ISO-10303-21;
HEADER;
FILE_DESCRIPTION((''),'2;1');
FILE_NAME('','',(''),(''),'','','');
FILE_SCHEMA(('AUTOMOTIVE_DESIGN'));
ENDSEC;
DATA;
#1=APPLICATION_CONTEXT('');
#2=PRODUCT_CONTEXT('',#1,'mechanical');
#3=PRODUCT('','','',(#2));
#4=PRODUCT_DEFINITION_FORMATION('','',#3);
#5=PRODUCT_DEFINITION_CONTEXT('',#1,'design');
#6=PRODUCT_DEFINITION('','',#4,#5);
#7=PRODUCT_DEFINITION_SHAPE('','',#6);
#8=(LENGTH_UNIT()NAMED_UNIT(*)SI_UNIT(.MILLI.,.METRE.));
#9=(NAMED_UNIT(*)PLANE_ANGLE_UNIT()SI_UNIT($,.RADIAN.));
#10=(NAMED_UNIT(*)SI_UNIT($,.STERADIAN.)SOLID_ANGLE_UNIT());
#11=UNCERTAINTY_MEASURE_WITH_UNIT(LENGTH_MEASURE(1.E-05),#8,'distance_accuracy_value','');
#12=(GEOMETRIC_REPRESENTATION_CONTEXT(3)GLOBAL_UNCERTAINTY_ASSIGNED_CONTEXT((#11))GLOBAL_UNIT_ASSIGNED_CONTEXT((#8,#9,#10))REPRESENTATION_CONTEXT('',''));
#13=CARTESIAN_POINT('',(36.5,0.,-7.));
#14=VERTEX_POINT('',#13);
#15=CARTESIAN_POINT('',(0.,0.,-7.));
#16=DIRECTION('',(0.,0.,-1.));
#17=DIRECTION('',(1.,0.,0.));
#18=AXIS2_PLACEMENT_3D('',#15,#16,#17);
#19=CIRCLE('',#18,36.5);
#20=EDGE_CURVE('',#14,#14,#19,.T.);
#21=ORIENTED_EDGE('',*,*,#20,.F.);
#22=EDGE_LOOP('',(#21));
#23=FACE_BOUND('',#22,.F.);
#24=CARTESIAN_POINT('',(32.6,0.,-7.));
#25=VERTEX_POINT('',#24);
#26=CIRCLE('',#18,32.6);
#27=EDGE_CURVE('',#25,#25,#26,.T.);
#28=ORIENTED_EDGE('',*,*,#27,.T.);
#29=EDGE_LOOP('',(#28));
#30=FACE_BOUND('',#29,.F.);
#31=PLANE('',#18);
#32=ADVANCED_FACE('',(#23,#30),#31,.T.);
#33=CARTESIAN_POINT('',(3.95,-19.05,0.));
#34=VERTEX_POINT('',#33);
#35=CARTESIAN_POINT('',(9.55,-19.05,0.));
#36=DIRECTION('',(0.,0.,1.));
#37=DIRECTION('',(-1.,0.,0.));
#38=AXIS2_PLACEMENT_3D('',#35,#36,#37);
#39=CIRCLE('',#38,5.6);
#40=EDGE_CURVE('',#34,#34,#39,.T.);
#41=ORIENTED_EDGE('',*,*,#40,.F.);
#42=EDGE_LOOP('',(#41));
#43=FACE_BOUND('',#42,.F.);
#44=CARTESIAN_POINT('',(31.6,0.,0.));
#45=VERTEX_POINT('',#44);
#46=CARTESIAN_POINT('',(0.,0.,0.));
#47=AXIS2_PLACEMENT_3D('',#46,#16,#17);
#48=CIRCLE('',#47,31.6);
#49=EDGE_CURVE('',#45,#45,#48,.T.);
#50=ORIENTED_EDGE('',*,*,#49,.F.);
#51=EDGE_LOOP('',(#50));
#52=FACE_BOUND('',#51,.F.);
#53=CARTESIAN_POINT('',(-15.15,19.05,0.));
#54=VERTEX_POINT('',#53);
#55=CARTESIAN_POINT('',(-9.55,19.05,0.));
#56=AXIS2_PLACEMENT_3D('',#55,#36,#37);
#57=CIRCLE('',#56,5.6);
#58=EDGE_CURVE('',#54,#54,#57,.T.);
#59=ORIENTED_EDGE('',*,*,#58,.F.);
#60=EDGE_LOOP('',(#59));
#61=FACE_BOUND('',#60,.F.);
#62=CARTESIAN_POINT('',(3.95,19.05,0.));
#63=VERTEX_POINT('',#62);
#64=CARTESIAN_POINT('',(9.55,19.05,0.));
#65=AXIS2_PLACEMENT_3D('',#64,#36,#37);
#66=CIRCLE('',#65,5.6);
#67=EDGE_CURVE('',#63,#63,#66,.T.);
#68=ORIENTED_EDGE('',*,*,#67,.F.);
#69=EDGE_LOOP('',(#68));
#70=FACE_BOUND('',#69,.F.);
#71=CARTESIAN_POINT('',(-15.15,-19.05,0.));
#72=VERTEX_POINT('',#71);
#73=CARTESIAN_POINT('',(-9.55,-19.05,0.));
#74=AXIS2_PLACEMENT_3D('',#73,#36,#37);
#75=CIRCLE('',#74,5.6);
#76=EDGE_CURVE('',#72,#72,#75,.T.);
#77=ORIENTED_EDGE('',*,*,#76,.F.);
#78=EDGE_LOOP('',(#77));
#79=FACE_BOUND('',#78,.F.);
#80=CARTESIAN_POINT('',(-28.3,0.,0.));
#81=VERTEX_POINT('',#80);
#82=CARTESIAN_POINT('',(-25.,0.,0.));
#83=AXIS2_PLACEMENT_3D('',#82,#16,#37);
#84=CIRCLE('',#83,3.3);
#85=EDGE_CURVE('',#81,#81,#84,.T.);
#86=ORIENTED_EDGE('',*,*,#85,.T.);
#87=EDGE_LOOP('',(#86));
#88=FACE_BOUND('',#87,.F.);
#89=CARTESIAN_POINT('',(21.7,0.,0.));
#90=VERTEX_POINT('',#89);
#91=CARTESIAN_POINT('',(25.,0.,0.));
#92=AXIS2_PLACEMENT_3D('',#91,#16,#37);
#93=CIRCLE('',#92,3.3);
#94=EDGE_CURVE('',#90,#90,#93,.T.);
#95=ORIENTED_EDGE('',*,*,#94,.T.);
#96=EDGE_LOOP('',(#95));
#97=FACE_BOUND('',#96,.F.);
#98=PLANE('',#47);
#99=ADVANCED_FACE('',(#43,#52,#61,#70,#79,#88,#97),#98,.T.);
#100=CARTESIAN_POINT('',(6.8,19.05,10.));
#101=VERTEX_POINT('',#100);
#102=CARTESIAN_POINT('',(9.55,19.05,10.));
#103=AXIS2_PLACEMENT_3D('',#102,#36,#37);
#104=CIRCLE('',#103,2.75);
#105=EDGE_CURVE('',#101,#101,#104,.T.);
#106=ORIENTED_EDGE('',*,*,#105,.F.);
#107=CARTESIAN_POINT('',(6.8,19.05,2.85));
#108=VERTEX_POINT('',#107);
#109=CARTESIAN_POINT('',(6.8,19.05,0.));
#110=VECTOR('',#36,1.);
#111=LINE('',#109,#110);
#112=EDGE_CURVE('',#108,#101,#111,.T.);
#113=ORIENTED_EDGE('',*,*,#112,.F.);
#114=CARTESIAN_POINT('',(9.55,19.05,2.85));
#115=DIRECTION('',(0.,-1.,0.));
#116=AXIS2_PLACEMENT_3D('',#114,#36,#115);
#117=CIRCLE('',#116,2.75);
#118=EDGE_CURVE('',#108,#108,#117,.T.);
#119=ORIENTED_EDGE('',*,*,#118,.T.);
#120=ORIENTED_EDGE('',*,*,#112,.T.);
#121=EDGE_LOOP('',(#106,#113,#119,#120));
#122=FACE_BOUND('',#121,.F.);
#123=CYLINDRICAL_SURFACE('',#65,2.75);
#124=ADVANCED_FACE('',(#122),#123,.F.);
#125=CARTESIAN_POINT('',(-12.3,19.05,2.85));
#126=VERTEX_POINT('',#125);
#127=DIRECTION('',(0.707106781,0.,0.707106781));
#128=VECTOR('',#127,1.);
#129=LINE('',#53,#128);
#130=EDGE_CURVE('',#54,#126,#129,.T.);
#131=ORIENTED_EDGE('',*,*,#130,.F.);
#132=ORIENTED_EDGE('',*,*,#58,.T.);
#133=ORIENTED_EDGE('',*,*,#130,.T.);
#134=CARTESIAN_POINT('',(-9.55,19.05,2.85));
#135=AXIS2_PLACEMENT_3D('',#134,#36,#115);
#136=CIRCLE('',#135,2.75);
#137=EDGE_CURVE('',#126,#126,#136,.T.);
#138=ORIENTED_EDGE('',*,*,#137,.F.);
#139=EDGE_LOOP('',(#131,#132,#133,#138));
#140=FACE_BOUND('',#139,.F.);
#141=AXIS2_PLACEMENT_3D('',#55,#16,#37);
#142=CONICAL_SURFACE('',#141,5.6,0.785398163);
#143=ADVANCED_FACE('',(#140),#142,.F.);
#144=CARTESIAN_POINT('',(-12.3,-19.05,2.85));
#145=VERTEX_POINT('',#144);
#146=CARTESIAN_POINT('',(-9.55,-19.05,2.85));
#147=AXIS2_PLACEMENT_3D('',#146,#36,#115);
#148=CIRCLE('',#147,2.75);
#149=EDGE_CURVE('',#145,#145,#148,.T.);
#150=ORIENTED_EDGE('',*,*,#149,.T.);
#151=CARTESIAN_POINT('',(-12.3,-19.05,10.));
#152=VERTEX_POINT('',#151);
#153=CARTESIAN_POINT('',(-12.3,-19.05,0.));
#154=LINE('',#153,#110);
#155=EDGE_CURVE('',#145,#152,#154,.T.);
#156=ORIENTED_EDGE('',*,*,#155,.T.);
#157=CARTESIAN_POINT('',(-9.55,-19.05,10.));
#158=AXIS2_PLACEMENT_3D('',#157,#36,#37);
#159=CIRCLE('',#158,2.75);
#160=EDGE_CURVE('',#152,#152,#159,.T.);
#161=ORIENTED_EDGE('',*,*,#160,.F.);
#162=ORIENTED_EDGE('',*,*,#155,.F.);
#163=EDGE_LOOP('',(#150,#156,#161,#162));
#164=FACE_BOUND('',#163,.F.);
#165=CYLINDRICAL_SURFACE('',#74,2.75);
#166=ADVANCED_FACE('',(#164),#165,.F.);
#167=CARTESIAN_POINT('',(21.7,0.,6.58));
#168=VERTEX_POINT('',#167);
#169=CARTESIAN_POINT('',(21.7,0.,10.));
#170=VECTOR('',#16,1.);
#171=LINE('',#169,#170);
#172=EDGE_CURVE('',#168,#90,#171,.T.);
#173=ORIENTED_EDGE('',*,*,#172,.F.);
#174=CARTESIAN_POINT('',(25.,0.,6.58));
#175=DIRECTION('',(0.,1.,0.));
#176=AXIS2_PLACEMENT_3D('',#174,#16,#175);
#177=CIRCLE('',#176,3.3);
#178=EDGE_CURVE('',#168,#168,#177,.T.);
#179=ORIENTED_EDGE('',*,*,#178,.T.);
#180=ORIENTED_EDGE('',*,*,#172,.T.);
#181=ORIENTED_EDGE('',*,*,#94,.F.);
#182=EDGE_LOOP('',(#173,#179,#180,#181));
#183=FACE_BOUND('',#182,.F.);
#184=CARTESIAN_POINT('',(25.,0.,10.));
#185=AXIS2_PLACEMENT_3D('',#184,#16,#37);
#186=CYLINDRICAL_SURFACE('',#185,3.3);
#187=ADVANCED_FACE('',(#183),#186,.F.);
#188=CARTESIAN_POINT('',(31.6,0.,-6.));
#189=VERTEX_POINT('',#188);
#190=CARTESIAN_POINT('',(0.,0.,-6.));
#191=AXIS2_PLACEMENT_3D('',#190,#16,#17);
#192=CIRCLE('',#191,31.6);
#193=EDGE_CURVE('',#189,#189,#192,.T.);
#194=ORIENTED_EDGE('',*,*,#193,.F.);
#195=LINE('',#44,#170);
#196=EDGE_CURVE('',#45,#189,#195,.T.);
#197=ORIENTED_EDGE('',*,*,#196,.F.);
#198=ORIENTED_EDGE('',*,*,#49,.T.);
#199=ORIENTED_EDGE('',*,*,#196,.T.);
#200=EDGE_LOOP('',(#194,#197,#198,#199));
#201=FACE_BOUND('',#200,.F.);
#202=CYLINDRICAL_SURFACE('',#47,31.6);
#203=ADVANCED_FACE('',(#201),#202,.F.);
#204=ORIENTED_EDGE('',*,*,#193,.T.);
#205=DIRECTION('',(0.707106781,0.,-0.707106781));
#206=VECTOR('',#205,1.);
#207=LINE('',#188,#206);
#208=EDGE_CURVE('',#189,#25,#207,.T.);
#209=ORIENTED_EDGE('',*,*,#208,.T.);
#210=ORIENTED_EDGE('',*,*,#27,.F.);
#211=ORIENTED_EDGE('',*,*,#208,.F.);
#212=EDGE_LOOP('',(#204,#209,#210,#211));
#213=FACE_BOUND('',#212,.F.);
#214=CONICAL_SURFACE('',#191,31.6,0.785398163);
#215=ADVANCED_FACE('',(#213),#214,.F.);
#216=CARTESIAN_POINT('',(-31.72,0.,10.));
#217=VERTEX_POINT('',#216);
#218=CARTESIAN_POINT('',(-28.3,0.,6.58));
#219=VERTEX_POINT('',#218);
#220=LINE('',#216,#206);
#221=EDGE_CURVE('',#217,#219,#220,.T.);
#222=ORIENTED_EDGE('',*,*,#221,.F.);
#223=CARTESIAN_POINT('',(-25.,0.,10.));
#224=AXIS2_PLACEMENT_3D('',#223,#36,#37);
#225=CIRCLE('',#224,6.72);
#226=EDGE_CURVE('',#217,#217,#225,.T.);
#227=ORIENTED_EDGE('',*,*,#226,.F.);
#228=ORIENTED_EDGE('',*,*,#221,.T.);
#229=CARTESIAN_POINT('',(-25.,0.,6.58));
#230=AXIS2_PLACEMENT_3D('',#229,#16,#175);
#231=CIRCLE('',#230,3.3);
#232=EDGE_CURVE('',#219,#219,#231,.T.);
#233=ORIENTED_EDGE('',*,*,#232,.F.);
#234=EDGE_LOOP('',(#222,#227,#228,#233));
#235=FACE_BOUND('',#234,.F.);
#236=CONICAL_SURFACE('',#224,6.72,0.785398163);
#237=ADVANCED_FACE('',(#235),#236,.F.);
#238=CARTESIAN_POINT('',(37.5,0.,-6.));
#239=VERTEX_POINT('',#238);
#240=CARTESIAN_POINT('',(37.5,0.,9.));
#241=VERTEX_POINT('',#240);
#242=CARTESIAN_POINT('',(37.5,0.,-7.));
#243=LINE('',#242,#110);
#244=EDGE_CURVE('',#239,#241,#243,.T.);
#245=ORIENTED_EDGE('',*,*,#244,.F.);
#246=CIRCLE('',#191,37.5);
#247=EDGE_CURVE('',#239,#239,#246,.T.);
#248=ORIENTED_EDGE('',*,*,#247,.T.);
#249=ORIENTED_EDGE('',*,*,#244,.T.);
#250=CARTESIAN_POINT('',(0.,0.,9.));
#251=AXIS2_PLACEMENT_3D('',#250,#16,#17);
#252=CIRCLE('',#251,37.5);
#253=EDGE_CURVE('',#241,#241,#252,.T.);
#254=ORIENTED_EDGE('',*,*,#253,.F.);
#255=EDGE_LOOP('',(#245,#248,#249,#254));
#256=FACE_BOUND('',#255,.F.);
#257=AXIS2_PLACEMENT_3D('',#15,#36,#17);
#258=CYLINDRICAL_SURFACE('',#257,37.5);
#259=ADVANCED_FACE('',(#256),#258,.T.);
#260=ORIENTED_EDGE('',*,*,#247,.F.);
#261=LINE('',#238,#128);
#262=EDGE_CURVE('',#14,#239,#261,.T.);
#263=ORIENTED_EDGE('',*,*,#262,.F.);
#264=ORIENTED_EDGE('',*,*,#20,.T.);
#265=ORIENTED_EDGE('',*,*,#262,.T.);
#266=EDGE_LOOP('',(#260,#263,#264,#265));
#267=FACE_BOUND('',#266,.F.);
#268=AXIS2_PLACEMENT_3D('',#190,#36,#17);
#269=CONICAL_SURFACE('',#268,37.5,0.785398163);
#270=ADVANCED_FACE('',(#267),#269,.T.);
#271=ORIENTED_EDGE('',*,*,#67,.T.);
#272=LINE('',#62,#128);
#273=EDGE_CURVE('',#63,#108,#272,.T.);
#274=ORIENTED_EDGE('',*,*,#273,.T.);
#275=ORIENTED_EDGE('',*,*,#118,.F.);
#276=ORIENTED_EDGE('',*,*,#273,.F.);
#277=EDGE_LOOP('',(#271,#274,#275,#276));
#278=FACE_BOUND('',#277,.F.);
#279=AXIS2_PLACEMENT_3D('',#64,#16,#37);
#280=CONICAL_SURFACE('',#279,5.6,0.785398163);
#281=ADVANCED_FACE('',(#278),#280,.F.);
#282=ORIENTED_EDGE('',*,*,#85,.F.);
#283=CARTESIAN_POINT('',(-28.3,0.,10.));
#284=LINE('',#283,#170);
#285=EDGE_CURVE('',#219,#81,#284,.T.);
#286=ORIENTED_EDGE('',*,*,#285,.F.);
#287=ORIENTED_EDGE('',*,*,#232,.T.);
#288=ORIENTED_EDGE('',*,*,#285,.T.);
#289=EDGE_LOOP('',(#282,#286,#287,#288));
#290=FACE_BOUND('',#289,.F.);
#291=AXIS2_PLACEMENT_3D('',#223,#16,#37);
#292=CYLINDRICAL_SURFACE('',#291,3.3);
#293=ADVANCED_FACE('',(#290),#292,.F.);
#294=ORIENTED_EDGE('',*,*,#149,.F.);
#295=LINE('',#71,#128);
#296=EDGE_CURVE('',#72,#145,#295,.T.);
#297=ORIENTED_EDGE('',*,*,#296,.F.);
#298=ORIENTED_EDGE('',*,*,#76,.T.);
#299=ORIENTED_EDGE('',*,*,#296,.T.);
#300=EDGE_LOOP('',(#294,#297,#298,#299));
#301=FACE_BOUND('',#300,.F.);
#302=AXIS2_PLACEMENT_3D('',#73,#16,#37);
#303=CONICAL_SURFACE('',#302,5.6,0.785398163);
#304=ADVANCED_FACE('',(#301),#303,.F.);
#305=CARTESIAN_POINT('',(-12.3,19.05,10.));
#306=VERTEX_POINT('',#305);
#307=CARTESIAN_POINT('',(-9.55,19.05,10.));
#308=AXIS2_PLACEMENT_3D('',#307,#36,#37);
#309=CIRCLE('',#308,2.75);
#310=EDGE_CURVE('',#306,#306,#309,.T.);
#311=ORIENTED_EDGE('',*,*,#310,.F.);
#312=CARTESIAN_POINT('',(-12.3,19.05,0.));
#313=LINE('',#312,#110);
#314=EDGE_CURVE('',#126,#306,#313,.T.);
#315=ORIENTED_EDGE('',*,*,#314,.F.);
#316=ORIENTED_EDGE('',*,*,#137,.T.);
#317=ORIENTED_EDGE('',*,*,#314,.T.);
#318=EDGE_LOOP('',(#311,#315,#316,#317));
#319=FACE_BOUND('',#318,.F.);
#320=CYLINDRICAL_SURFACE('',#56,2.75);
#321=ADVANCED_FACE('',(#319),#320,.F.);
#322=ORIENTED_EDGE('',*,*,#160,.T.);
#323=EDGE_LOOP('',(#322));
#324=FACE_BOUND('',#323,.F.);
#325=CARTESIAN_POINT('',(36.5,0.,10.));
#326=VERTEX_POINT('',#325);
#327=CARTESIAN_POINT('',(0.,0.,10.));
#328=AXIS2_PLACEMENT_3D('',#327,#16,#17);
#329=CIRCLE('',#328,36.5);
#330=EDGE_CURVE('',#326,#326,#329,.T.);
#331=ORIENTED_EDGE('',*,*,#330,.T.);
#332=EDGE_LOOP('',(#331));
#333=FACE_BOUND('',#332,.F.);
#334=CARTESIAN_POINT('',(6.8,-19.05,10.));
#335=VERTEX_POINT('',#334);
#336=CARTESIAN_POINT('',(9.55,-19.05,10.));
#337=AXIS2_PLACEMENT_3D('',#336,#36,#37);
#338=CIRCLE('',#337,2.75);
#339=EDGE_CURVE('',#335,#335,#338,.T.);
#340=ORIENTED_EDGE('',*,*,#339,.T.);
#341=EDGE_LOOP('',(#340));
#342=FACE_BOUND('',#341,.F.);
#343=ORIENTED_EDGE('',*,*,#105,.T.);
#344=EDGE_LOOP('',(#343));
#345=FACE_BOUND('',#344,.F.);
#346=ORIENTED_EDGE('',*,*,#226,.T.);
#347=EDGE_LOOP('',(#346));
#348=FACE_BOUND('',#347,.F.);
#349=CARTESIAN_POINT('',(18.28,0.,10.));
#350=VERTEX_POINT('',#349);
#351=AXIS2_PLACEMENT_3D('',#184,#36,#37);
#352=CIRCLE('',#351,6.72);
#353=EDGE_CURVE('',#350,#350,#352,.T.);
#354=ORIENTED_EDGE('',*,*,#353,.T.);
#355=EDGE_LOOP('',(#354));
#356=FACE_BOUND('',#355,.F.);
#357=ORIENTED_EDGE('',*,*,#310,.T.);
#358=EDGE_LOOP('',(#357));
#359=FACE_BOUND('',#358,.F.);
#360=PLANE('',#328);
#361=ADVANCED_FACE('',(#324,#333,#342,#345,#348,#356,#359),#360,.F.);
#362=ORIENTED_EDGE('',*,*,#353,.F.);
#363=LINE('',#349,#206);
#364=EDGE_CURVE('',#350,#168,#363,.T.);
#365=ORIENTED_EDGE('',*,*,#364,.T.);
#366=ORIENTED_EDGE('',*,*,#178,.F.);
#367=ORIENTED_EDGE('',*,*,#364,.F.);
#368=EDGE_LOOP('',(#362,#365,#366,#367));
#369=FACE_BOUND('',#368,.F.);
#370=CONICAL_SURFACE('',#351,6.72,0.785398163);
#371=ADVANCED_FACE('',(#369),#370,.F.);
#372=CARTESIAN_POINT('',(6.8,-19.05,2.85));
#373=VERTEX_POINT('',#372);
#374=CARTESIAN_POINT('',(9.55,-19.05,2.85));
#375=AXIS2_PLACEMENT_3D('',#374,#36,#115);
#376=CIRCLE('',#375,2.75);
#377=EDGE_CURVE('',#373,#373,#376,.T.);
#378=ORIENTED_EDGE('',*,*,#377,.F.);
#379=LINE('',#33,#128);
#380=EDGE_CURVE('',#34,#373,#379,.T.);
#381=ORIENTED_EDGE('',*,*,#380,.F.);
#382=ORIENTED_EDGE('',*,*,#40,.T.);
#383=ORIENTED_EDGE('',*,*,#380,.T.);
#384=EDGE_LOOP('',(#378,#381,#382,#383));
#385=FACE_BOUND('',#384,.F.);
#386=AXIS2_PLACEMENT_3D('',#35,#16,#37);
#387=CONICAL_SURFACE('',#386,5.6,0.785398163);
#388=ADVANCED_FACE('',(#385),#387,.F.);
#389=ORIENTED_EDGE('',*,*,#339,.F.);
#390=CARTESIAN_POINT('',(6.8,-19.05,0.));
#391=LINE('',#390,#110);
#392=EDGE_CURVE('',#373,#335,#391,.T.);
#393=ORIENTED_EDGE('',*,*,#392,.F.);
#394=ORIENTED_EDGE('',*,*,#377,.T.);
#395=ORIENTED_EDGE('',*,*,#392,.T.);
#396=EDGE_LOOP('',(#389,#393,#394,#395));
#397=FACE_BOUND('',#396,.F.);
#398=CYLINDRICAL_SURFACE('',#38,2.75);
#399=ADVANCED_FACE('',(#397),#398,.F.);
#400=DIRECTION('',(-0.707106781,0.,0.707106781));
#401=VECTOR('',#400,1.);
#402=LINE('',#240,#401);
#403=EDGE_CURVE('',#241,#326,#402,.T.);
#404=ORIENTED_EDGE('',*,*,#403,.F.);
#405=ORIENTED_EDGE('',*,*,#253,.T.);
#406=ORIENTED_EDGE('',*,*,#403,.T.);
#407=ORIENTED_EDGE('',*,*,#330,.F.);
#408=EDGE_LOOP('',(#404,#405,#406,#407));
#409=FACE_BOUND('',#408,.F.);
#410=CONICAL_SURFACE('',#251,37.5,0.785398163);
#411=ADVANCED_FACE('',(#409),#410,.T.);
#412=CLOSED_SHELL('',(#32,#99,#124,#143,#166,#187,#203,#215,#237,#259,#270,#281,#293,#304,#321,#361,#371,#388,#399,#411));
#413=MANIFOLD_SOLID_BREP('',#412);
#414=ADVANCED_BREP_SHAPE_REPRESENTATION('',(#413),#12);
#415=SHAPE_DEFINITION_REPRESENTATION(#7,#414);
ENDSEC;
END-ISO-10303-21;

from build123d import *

# Parameters (mm, degrees)
F2_SIZE        = 1
F4_D           = 6.6
F4_CSINK_D     = 13.44
F4_CSINK_ANGLE = 90
F6_D           = 5.5
F6_CSINK_D     = 11.2
F6_CSINK_ANGLE = 90


with BuildPart() as f1:
    # F0 (on Front) → F1 (revolve)
    with BuildSketch(Plane.XZ):
        Polygon((0, 10), (0, 0), (31.6, 0), (31.6, -7), (37.5, -7), (37.5, 10), align=None)
    revolve(axis=Axis((0, 0, 5), (0, 0, -1)))

    # F2
    f2_edges = [f1.edges().sort_by_distance(p)[0] for p in [
        (-31.6, 0, -7),
        (-37.5, 0, -7),
        (-37.5, 0, 10),
    ]]
    chamfer(f2_edges, length=F2_SIZE)

    # F4 (through all)
    with Locations(Plane.XY.offset(10)):
        with Locations((-25, 0), (25, 0)):
            CounterSinkHole(F4_D / 2, F4_CSINK_D / 2, counter_sink_angle=F4_CSINK_ANGLE)

    # F6 (through all)
    with Locations(Plane(origin=(0, 0, 0), x_dir=(1, 0, 0), z_dir=(0, 0, -1))):
        with Locations((-9.55, 19.05), (9.55, 19.05), (9.55, -19.05), (-9.55, -19.05)):
            CounterSinkHole(F6_D / 2, F6_CSINK_D / 2, counter_sink_angle=F6_CSINK_ANGLE)


solid = f1.part
